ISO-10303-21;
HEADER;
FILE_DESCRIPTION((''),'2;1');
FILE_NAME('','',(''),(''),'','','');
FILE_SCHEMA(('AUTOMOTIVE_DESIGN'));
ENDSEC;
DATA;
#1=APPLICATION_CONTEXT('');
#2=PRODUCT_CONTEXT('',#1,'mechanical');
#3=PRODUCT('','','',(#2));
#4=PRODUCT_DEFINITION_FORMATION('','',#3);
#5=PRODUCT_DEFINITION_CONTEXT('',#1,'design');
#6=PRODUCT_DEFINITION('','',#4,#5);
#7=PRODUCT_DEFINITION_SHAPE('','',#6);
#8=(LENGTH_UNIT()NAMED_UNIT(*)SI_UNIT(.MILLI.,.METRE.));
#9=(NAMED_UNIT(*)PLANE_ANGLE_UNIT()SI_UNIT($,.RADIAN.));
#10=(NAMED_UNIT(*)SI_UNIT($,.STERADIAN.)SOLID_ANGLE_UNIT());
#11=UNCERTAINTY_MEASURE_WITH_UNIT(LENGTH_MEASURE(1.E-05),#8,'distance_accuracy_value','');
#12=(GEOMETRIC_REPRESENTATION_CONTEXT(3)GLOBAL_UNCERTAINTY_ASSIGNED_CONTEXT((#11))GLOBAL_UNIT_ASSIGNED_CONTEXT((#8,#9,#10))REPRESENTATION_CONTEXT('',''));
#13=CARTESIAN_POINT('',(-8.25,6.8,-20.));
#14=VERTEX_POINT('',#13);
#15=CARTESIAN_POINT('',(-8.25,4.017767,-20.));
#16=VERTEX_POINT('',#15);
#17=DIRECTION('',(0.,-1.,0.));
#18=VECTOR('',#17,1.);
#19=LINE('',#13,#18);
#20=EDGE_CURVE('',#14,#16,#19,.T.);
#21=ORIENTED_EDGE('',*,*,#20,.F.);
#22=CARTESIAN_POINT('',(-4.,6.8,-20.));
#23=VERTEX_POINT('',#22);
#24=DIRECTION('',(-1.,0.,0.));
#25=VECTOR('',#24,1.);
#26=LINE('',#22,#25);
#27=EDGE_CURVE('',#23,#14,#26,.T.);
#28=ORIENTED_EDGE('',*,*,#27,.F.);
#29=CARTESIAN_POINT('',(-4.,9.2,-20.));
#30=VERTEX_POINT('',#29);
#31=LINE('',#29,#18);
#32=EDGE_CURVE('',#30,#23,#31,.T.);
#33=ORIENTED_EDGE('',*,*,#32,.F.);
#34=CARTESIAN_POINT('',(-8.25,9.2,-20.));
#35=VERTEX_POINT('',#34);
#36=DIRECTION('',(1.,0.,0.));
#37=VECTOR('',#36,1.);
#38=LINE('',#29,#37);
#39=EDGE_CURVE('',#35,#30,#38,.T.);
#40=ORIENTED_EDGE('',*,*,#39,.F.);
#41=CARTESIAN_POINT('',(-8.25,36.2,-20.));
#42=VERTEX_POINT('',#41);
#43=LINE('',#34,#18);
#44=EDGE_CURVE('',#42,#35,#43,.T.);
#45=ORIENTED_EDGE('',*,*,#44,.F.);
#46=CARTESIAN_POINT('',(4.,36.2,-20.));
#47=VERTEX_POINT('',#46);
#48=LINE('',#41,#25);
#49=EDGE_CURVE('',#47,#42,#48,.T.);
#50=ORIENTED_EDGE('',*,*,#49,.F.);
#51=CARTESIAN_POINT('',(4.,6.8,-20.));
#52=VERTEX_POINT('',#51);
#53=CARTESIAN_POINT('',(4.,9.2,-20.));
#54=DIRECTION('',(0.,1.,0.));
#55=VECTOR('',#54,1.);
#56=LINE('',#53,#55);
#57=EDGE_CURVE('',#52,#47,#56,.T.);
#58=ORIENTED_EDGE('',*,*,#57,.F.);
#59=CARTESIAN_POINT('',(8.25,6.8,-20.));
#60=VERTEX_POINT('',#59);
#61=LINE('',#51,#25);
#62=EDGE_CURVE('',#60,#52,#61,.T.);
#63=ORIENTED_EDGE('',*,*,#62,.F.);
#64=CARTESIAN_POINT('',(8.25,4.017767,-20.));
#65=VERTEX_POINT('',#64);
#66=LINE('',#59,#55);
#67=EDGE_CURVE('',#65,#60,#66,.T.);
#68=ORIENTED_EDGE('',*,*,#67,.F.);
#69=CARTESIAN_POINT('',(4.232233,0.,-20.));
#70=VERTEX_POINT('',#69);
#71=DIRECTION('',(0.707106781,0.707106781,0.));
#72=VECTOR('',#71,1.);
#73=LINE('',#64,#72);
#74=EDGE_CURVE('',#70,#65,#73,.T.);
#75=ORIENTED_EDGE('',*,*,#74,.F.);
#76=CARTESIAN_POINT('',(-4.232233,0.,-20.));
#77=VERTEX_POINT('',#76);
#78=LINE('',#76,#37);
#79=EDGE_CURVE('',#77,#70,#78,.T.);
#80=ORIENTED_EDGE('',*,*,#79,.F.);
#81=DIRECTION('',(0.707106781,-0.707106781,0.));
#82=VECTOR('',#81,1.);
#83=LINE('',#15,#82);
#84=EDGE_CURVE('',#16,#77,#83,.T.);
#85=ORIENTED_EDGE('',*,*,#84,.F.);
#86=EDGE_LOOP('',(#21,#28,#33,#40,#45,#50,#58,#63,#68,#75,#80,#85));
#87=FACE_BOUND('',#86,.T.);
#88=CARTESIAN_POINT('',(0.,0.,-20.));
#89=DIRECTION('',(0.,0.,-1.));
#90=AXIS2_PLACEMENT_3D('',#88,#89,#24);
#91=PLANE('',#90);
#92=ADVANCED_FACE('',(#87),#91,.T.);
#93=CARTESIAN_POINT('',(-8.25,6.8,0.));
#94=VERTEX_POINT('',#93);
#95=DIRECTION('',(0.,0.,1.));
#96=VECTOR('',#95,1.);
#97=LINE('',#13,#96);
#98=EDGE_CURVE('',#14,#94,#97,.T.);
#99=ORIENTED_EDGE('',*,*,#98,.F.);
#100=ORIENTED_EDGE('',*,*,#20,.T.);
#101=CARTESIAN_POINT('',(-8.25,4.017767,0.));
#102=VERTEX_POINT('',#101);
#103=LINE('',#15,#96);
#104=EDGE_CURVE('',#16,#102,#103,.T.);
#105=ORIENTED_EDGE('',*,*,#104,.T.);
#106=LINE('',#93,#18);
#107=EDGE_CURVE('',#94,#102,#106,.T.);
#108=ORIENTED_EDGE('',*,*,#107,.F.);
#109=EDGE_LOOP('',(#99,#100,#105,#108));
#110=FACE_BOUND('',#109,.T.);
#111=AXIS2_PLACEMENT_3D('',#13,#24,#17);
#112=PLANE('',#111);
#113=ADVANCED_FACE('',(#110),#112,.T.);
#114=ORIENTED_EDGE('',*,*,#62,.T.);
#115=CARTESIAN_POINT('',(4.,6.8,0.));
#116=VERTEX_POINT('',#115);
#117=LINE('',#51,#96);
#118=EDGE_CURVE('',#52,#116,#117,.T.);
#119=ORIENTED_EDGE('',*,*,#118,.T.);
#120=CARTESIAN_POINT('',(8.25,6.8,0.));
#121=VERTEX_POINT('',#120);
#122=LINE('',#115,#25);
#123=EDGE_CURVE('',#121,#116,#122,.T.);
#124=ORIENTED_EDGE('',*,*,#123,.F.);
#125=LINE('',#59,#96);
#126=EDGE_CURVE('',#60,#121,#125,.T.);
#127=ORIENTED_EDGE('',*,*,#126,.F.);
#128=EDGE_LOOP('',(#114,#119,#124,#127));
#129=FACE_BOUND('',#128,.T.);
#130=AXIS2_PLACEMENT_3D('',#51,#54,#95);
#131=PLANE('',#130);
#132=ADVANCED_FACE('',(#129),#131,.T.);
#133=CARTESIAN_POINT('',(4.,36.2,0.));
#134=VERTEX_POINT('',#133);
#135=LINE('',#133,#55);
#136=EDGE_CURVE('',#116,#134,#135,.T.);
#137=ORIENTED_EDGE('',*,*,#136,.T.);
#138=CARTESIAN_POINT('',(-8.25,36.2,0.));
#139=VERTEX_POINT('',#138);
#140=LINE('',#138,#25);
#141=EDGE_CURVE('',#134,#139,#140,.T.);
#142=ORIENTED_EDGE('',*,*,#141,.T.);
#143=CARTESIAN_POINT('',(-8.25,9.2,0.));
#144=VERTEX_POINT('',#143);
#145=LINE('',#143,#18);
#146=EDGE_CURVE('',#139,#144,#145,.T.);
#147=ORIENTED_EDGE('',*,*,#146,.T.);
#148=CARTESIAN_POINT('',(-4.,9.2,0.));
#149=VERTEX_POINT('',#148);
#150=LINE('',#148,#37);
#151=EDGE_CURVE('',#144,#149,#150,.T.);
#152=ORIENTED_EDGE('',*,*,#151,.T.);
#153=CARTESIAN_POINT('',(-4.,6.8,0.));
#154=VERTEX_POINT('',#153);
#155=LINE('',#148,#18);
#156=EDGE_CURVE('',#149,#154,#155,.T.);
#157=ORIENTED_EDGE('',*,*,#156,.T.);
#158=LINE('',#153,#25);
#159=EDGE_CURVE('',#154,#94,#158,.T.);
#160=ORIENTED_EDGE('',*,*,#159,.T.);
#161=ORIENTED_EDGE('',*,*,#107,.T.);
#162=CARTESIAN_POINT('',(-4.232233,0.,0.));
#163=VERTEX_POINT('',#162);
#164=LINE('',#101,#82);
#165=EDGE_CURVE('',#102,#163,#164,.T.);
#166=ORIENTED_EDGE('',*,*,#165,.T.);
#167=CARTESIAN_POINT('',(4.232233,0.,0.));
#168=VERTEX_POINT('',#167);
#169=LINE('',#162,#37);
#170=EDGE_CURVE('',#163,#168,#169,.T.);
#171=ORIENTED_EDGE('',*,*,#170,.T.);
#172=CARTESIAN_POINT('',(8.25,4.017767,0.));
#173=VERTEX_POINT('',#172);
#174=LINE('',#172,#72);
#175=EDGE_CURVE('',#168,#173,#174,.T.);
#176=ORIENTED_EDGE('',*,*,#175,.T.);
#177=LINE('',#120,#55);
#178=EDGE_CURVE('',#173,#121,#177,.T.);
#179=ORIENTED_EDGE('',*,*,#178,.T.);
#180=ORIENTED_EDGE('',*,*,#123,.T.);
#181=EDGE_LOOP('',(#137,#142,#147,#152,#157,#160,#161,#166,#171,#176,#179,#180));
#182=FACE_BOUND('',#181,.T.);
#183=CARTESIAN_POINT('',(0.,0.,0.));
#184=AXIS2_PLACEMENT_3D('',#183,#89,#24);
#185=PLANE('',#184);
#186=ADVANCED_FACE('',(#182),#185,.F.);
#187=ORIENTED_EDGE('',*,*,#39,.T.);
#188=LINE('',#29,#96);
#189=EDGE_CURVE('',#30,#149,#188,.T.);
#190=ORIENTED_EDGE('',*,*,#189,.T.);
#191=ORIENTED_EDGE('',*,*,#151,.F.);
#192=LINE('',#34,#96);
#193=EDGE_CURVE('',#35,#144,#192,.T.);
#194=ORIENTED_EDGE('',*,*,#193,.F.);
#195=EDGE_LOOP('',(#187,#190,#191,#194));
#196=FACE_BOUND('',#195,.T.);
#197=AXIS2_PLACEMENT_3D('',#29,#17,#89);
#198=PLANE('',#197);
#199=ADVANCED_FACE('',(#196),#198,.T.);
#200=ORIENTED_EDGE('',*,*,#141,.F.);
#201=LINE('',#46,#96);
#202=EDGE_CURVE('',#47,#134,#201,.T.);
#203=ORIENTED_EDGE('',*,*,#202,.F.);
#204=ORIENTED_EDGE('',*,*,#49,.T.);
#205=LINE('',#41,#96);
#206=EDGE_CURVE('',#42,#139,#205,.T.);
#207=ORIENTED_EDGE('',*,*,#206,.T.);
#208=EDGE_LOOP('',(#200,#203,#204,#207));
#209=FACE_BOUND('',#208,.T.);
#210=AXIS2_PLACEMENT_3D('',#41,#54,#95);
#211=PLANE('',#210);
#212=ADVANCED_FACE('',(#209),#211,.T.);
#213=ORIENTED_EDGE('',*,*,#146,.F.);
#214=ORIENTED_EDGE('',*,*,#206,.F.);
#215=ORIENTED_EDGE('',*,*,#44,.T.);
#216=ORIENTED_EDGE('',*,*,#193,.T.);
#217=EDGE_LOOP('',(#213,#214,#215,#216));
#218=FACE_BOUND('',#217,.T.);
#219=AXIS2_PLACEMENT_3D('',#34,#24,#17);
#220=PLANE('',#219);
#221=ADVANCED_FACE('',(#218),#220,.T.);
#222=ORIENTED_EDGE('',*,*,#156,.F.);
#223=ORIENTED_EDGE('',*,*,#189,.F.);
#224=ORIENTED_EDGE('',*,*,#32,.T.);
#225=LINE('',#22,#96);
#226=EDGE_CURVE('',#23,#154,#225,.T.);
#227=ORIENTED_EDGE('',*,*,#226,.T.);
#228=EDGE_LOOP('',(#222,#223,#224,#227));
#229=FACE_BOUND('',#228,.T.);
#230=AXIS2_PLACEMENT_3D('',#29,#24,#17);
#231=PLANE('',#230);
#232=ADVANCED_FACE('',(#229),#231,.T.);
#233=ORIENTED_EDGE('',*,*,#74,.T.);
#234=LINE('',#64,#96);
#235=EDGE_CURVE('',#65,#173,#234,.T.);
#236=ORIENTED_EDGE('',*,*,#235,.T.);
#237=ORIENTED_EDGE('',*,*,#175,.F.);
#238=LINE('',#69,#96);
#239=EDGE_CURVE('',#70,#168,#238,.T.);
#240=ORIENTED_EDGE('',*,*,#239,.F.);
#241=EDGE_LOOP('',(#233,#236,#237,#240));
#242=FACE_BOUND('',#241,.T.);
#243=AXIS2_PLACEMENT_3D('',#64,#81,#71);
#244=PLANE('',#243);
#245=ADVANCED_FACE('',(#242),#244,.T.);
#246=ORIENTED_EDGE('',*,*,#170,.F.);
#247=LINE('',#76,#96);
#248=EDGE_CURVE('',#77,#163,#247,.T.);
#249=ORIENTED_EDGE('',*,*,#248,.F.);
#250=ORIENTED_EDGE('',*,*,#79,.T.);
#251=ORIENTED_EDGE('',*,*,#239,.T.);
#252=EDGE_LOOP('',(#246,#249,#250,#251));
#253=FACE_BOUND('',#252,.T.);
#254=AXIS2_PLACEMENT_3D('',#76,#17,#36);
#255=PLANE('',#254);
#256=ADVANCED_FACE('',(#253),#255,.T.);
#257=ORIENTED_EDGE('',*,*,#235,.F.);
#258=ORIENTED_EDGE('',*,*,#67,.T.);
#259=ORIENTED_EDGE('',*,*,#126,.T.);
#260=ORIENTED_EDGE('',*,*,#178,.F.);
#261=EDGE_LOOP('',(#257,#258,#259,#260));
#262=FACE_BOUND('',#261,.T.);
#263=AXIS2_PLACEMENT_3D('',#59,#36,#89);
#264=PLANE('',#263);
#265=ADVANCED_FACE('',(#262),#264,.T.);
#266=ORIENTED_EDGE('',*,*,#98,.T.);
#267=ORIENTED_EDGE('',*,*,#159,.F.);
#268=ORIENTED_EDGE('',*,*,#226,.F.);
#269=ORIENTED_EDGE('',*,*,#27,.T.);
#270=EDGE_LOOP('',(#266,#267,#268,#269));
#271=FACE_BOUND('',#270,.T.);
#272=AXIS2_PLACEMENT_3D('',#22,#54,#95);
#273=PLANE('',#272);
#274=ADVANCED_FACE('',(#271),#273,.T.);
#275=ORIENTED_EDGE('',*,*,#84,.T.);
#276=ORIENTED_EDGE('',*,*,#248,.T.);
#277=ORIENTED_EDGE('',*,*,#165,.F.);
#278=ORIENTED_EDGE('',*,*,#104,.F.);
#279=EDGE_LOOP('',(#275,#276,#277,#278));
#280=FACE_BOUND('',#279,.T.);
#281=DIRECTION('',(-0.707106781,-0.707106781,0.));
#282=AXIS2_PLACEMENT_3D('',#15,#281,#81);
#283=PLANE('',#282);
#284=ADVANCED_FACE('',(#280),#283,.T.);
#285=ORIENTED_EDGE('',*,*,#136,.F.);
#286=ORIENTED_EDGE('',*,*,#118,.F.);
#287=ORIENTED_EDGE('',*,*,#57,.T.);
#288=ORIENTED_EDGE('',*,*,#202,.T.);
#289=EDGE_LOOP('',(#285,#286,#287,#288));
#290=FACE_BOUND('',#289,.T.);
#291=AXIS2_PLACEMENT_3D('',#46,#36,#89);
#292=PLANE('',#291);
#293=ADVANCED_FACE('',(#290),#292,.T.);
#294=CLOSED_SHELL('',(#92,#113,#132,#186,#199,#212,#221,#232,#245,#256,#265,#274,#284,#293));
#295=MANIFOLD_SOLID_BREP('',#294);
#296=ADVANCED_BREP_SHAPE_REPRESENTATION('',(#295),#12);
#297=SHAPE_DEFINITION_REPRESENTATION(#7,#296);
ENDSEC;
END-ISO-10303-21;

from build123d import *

# Parameters (mm, degrees)
ESTRUSIONE_ESTRUSIONE1_DEPTH = 20


with BuildPart() as part:
    # Schizzo2 → Estrusione-Estrusione1 (new body)
    with BuildSketch(Plane.XY):
        Polygon((-4, 9.2), (-8.25, 9.2), (-8.25, 36.2), (4, 36.2), (4, 9.2), (4, 6.8), (8.25, 6.8), (8.25, 4.017766953), (4.232233047, 0), (-4.232233047, 0), (-8.25, 4.017766953), (-8.25, 6.8), (-4, 6.8), align=None)
    extrude(amount=-ESTRUSIONE_ESTRUSIONE1_DEPTH)


solid = part.part
